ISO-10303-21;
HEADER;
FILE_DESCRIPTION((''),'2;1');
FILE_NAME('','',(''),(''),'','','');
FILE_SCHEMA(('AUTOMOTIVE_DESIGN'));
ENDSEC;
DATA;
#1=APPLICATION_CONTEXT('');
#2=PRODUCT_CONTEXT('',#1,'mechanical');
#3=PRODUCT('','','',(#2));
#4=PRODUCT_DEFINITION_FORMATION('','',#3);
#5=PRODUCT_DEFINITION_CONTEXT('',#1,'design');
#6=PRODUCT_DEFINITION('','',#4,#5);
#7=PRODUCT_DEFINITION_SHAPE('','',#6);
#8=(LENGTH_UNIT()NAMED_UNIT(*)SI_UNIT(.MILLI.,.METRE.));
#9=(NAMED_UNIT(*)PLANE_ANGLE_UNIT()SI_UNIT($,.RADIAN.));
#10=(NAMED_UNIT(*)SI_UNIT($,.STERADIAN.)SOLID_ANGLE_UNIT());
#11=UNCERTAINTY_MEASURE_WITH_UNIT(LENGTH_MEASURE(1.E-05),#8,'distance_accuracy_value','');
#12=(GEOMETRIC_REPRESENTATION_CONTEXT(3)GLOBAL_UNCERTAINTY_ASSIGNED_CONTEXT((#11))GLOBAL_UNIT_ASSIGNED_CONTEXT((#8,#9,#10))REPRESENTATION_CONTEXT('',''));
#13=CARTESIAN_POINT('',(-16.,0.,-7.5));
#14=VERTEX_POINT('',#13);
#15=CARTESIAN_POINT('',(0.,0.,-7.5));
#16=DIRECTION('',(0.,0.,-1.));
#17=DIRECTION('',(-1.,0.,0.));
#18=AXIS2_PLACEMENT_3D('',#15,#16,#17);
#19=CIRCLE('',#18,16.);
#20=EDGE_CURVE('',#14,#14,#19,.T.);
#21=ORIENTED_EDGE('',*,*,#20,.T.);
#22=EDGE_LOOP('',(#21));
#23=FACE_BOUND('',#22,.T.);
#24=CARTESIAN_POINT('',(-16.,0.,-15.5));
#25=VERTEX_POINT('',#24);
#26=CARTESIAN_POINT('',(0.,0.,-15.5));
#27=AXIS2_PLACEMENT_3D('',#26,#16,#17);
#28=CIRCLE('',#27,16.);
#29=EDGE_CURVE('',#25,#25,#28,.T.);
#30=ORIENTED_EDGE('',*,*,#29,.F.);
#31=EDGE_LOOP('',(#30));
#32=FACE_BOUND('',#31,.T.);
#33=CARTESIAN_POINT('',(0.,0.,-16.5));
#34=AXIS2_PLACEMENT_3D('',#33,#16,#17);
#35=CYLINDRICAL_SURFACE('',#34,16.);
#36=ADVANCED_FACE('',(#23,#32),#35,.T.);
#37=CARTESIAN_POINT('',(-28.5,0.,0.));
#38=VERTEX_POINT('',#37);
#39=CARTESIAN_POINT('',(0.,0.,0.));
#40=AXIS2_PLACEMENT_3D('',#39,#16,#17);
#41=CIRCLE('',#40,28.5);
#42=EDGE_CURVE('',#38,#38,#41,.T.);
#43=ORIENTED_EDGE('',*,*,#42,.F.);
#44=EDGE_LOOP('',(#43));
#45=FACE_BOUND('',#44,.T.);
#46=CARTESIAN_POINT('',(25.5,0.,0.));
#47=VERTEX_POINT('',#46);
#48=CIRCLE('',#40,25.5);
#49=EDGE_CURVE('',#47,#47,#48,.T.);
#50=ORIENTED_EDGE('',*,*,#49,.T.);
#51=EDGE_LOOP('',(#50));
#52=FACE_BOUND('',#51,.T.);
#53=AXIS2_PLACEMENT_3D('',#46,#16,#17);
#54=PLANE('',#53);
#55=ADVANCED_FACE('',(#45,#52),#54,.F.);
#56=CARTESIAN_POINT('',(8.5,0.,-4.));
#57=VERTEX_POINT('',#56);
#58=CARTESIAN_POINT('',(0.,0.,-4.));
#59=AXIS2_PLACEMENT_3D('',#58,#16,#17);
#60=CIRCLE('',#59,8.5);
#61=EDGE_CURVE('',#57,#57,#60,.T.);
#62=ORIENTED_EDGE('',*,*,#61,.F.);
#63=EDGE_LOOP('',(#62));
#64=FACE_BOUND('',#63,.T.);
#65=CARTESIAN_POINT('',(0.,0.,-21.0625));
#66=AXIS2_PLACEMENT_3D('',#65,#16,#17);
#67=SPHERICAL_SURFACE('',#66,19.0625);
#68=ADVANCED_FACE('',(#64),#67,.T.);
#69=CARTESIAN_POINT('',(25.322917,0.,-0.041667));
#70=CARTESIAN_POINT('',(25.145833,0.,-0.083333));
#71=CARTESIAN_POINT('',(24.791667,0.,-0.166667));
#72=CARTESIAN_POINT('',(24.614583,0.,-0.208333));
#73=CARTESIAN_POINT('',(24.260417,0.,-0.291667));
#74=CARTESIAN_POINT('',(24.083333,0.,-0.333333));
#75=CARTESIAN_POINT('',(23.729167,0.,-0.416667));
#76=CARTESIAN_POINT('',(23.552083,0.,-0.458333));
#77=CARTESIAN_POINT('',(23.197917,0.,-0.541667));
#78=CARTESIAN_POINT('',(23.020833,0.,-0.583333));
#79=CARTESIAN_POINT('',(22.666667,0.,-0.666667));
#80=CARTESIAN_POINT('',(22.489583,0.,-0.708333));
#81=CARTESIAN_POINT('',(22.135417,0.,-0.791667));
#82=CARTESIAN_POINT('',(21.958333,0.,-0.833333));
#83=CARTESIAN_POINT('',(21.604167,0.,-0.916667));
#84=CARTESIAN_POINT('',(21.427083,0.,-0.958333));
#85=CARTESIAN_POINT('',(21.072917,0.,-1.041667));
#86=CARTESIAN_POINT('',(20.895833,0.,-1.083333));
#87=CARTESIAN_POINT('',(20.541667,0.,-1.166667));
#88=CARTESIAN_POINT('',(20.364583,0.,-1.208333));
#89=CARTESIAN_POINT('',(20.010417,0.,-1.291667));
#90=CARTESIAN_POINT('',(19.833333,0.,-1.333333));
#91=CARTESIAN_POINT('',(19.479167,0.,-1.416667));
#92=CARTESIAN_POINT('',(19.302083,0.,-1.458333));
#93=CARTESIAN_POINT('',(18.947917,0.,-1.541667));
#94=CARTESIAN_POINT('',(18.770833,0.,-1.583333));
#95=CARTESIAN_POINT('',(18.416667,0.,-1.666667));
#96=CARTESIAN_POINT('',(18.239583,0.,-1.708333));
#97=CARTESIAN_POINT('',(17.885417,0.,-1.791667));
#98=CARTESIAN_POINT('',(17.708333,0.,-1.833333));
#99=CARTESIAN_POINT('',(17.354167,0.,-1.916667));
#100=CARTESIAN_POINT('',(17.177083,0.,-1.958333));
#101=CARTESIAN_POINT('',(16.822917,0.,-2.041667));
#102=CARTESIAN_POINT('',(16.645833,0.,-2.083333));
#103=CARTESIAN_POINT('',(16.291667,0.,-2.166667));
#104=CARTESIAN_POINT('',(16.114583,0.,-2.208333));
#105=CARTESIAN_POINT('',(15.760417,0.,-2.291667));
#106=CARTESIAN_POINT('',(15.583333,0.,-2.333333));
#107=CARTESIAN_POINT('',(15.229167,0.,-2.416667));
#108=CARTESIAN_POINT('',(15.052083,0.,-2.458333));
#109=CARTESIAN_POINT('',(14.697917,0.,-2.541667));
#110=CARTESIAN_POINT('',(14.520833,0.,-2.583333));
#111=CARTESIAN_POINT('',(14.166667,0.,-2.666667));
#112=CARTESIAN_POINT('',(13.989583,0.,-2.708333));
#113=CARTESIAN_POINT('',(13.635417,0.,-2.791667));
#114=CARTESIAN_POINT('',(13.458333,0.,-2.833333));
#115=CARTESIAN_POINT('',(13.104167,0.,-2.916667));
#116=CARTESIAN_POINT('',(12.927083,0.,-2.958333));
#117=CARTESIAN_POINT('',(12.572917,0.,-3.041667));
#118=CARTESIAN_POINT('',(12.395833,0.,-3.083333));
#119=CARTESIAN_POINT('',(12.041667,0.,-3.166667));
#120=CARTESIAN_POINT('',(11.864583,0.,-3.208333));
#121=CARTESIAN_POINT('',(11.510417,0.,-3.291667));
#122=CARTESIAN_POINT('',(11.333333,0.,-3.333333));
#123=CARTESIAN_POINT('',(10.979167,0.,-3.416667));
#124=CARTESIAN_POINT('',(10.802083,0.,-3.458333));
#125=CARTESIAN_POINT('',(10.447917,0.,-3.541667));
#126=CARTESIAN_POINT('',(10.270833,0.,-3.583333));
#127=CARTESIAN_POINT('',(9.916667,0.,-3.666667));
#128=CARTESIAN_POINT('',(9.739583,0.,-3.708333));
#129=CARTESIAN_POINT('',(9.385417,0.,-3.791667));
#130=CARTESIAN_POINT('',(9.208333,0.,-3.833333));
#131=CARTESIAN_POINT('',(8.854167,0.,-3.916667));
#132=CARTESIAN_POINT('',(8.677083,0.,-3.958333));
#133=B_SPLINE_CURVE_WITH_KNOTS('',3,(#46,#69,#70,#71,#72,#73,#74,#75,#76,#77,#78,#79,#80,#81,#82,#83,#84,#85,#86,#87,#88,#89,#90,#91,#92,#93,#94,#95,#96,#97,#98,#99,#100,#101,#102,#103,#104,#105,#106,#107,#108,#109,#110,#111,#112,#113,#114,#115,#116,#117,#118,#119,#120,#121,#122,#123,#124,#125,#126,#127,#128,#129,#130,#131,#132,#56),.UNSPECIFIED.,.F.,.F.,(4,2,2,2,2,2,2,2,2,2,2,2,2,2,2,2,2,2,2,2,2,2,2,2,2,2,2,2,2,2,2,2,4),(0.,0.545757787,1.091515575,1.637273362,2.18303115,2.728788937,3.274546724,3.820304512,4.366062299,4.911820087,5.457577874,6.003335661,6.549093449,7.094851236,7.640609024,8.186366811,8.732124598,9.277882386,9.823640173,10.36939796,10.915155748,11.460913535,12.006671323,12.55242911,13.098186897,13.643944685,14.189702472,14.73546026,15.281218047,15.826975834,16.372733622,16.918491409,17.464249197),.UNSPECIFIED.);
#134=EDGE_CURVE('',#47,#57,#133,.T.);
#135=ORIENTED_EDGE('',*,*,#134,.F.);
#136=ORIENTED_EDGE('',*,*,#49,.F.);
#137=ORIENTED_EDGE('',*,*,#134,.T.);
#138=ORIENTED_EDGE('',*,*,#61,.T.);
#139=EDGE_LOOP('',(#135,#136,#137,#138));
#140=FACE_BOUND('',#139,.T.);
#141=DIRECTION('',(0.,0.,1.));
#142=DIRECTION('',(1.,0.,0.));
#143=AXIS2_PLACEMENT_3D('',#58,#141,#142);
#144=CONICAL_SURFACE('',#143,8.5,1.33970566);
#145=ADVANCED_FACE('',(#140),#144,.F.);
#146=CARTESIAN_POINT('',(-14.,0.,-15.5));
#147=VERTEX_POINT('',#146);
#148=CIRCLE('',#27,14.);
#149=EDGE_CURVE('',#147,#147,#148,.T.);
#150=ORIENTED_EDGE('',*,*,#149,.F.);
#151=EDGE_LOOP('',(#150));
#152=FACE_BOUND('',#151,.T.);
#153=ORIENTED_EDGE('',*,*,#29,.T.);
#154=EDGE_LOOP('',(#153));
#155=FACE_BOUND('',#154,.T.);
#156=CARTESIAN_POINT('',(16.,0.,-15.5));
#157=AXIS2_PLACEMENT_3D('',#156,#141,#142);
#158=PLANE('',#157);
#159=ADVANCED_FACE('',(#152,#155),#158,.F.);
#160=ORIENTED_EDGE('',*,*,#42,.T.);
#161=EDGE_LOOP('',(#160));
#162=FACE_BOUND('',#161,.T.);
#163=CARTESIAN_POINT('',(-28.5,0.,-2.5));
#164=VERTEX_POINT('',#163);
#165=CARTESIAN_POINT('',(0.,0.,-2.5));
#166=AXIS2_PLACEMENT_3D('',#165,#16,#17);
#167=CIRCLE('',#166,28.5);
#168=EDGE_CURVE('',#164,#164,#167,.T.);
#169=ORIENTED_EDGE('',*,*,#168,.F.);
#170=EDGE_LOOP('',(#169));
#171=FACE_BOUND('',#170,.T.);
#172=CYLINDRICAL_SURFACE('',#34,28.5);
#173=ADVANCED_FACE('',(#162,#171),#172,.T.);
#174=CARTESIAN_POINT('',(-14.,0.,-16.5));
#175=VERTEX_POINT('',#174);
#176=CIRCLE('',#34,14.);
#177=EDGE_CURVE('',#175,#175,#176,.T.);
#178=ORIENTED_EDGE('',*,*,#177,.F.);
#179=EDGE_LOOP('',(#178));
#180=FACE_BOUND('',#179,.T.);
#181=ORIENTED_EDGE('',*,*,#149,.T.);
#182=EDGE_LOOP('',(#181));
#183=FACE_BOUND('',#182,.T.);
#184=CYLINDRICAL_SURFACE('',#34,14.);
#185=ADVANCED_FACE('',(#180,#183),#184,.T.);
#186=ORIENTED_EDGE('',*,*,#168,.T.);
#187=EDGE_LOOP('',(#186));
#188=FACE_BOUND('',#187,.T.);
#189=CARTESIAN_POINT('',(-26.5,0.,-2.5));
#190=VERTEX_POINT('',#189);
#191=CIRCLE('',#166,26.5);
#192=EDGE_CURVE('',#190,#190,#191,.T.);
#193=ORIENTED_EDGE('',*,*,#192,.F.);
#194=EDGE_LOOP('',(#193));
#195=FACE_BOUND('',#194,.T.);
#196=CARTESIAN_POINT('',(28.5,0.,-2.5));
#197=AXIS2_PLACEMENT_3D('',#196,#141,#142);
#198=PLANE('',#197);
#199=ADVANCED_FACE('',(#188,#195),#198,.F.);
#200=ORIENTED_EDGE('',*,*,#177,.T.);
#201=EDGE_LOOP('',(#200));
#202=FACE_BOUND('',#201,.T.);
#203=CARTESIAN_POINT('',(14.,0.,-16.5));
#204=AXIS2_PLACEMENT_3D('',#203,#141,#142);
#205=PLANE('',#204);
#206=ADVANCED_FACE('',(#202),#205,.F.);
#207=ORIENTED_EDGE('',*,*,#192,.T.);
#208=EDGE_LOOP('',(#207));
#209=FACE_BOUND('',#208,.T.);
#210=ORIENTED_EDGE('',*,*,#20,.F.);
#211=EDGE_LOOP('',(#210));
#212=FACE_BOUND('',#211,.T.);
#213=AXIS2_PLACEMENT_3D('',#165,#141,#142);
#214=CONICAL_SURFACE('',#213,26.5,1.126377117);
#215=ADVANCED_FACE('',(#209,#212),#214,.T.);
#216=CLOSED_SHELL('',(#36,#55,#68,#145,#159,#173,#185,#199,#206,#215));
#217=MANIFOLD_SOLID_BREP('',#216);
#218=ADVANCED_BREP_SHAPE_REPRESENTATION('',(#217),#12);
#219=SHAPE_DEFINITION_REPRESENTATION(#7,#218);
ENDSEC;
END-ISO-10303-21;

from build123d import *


with BuildPart() as part:
    # Sketch2 → Revolve1 (revolve)
    with BuildSketch(Plane(origin=(0, 0, 0), x_dir=(1, 0, 0), z_dir=(0, 1, 0)), mode=Mode.PRIVATE) as revolve1_sk:
        with BuildLine():
            Line((25.5, 0), (28.5, 0))
            Line((28.5, 0), (28.5, 2.5))
            Line((28.5, 2.5), (26.5, 2.5))
            Line((26.5, 2.5), (16, 7.5))
            Line((16, 7.5), (16, 15.5))
            Line((16, 15.5), (14, 15.5))
            Line((14, 15.5), (14, 16.5))
            Line((14, 16.5), (0, 16.5))
            Line((0, 16.5), (0, 2))
            ThreePointArc((0, 2), (4.366062299, 2.506735229), (8.5, 4))
            Line((8.5, 4), (25.5, 0))
        make_face()
    revolve(revolve1_sk.sketch.rotate(Axis((0, 0, -16.5), (0, 0, 1)), 180), axis=Axis((0, 0, -16.5), (0, 0, 1)))


solid = part.part
